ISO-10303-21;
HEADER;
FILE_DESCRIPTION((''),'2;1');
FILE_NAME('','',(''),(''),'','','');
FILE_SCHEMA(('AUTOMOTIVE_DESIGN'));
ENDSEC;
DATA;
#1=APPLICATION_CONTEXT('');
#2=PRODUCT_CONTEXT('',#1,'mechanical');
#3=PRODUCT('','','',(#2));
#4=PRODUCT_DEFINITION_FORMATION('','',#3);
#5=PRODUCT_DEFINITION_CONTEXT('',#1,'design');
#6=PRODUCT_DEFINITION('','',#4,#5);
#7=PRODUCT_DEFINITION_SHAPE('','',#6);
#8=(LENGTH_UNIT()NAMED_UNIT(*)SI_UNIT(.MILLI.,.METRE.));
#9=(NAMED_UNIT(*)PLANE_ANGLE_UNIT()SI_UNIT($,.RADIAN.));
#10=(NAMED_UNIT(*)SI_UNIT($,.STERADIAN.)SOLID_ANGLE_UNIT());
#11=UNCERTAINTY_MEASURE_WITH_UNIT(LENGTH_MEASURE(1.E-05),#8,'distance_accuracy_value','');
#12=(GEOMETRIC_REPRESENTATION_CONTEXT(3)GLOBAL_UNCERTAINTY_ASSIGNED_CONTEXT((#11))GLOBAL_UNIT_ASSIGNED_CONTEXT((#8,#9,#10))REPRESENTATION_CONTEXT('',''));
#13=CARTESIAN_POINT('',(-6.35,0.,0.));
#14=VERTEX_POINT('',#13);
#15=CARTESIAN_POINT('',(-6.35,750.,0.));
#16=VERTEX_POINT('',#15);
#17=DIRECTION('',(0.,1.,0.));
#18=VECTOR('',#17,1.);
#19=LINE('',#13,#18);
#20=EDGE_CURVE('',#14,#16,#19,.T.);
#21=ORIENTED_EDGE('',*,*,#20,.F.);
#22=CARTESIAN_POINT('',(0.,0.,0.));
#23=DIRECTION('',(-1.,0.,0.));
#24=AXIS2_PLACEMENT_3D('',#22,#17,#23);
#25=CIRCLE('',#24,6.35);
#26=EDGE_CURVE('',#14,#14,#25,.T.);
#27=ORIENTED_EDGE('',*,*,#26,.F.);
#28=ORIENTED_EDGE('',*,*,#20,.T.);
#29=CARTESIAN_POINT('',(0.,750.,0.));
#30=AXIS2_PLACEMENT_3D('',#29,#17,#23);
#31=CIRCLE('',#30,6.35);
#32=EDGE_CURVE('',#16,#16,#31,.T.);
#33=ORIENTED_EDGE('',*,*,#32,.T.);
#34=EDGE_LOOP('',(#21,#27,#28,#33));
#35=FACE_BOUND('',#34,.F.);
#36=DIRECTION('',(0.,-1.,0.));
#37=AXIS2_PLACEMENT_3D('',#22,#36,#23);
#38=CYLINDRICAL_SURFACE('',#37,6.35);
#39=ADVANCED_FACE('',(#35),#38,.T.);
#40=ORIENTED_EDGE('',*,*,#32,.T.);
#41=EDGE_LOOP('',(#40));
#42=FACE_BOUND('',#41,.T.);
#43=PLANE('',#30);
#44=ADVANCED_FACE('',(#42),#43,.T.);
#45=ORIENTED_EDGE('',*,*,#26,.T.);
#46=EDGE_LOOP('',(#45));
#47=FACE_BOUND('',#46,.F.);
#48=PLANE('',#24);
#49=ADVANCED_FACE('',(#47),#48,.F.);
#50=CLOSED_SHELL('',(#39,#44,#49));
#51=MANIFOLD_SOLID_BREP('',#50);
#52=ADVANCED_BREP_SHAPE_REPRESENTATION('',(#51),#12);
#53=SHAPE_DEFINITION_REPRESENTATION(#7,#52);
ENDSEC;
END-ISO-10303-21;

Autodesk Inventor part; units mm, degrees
ref_plane "YZ Plane" through (0, 0, 0) normal (1, 0, 0) x (0, 1, 0)
ref_plane "XZ Plane" through (0, 0, 0) normal (0, 1, 0) x (-1, 0, 0)
ref_plane "XY Plane" through (0, 0, 0) normal (0, 0, 1) x (1, 0, 0)
sketch "Sketch3" plane through (0, 0, 0) normal (0, 0, 1) x (1, 0, 0)
  point P0 (0, 0)
sketch "Sketch4" plane through (0, 0, 0) normal (0, 1, 0) x (-1, 0, 0)
  circle A0 centre (0, 0) radius 6.35
  dimension "d11" = 12.7
extrude "Extrusion2" add sketch "Sketch4" along normal blind 750
properties part number "Shaft_1"
